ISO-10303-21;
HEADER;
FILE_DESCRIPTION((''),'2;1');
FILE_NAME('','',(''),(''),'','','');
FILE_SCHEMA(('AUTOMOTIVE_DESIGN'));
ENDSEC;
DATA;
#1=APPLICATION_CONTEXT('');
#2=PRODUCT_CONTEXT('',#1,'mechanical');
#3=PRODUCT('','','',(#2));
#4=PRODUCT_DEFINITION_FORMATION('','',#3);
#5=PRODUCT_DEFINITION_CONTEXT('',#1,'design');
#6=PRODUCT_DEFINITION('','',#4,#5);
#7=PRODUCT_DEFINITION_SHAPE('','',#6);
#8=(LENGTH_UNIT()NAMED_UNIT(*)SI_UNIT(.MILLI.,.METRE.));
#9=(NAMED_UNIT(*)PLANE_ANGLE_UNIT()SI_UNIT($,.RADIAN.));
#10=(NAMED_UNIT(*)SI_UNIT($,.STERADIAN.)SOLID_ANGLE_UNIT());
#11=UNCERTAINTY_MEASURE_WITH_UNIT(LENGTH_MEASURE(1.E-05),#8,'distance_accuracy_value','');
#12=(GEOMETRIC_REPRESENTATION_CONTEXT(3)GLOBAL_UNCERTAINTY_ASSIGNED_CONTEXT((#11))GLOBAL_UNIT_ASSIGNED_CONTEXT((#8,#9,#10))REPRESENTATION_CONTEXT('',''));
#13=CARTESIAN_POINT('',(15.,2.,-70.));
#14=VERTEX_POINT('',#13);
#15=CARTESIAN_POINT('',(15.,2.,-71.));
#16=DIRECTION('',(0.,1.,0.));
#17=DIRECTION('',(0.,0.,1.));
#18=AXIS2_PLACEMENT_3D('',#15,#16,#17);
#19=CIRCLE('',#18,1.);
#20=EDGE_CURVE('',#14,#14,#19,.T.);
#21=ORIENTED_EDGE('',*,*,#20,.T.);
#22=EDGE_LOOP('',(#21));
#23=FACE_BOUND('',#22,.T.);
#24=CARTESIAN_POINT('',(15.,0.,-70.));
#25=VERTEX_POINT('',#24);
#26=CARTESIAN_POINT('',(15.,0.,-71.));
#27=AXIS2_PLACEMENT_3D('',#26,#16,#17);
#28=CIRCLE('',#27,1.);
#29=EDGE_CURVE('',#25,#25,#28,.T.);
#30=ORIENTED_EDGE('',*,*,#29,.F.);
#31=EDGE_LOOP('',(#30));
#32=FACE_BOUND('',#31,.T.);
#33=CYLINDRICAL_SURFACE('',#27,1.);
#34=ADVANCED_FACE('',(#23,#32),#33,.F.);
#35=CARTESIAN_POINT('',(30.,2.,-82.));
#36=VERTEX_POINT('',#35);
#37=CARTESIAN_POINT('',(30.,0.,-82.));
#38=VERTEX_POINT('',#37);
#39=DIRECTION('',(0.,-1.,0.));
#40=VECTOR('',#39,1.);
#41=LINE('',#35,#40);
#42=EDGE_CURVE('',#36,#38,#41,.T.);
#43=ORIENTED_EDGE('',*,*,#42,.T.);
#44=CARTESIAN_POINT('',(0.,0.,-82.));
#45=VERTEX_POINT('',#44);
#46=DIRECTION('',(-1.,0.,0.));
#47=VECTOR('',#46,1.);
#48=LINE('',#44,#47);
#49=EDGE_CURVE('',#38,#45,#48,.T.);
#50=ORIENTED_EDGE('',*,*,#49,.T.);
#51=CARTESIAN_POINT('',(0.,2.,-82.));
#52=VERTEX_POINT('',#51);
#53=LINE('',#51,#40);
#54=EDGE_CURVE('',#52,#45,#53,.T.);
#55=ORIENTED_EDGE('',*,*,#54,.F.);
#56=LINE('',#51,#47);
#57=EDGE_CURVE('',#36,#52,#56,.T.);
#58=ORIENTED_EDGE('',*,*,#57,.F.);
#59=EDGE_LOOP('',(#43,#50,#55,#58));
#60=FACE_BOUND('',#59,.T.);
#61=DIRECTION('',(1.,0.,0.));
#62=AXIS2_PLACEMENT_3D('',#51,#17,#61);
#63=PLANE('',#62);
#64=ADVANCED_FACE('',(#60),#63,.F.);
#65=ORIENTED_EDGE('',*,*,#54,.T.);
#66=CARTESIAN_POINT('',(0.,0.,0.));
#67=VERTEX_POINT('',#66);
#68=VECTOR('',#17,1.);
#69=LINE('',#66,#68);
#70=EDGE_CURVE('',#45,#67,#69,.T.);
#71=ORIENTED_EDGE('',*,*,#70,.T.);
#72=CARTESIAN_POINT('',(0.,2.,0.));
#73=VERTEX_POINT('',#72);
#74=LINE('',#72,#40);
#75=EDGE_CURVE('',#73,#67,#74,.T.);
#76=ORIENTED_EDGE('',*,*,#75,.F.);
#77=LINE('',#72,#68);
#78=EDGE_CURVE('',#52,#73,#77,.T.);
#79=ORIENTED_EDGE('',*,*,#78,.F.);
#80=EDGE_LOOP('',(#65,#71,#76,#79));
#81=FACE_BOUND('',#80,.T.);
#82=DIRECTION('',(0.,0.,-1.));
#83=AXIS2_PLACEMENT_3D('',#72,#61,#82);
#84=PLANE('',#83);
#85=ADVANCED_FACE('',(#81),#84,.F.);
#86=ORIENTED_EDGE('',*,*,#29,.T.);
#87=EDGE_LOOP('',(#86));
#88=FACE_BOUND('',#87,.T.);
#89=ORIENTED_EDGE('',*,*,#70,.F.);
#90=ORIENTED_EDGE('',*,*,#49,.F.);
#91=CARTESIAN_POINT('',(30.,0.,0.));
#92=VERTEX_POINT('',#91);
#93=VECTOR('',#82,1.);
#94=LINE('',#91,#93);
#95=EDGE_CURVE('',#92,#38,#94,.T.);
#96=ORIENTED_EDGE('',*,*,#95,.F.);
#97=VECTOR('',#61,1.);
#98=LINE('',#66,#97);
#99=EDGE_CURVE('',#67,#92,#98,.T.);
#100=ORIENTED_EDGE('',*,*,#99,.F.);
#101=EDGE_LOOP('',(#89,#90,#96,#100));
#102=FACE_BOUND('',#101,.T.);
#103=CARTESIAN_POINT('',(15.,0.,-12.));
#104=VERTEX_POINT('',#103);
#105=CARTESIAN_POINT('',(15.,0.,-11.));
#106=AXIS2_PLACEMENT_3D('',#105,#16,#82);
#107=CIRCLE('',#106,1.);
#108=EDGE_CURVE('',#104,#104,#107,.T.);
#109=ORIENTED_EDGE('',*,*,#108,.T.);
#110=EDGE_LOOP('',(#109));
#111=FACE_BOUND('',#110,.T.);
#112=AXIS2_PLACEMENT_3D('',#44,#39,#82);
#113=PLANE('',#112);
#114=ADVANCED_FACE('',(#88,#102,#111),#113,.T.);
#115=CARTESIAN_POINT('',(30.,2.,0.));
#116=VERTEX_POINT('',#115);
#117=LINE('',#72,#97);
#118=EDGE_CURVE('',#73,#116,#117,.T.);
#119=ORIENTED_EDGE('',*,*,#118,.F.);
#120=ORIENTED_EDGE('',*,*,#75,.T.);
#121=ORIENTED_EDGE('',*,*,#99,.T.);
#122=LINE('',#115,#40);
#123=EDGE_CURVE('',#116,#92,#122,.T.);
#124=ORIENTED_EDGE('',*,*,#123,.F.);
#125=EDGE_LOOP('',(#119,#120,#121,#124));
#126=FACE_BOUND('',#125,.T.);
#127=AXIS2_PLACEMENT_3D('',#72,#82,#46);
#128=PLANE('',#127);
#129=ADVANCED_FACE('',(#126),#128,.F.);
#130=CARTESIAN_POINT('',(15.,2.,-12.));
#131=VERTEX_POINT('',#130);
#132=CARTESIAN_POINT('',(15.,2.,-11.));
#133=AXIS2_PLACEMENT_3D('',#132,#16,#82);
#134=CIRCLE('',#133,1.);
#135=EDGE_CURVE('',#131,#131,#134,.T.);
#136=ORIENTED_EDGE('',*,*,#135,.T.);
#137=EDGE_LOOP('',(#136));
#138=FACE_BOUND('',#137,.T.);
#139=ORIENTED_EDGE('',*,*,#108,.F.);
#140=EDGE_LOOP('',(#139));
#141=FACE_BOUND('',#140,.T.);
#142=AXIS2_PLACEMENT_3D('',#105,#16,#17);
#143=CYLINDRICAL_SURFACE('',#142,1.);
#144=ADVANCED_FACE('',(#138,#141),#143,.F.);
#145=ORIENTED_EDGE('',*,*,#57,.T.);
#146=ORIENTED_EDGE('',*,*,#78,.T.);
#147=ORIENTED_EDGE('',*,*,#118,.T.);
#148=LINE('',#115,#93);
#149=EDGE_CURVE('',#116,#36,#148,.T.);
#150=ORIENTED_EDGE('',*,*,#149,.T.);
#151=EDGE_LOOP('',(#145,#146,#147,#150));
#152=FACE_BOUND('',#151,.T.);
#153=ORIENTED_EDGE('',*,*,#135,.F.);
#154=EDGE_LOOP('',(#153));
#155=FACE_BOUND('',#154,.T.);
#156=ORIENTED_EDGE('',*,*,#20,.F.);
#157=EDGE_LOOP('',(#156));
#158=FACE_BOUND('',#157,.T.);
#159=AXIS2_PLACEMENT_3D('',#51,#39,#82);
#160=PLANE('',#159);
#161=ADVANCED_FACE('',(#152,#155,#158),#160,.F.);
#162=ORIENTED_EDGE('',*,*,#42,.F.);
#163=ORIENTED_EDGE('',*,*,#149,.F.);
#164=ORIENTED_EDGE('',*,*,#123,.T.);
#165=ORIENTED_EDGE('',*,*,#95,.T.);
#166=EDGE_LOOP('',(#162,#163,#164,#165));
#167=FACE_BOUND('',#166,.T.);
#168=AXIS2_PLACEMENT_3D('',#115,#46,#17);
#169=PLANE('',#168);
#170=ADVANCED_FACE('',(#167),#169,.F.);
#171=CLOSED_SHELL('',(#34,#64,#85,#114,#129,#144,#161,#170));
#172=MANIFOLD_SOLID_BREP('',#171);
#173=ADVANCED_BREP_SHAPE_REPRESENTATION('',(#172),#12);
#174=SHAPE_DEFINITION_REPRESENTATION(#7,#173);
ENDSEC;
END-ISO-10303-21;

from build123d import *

# Parameters (mm, degrees)
ESBO_O1_W                = 30
ESBO_O1_H                = 82
RESSALTO_EXTRUS_O1_DEPTH = 2
ESBO_O2_R                = 1
CORTE_EXTRUS_O1_DEPTH    = 3


with BuildPart() as part:
    # Esboço1 → Ressalto-extrusão1 (new body)
    with BuildSketch(Plane(origin=(0, 0, 0), x_dir=(1, 0, 0), z_dir=(0, 1, 0))):
        with Locations((15, 41)):
            Rectangle(ESBO_O1_W, ESBO_O1_H)
    extrude(amount=RESSALTO_EXTRUS_O1_DEPTH)

    # Esboço2 → Corte-extrusão1 (cut, through all)
    with BuildSketch(Plane(origin=(0, 2, 0), x_dir=(1, 0, 0), z_dir=(0, 1, 0))):
        with Locations((15, 71)):
            Circle(ESBO_O2_R)
        with Locations((15, 11)):
            Circle(ESBO_O2_R)
    extrude(amount=-CORTE_EXTRUS_O1_DEPTH, mode=Mode.SUBTRACT)


solid = part.part
